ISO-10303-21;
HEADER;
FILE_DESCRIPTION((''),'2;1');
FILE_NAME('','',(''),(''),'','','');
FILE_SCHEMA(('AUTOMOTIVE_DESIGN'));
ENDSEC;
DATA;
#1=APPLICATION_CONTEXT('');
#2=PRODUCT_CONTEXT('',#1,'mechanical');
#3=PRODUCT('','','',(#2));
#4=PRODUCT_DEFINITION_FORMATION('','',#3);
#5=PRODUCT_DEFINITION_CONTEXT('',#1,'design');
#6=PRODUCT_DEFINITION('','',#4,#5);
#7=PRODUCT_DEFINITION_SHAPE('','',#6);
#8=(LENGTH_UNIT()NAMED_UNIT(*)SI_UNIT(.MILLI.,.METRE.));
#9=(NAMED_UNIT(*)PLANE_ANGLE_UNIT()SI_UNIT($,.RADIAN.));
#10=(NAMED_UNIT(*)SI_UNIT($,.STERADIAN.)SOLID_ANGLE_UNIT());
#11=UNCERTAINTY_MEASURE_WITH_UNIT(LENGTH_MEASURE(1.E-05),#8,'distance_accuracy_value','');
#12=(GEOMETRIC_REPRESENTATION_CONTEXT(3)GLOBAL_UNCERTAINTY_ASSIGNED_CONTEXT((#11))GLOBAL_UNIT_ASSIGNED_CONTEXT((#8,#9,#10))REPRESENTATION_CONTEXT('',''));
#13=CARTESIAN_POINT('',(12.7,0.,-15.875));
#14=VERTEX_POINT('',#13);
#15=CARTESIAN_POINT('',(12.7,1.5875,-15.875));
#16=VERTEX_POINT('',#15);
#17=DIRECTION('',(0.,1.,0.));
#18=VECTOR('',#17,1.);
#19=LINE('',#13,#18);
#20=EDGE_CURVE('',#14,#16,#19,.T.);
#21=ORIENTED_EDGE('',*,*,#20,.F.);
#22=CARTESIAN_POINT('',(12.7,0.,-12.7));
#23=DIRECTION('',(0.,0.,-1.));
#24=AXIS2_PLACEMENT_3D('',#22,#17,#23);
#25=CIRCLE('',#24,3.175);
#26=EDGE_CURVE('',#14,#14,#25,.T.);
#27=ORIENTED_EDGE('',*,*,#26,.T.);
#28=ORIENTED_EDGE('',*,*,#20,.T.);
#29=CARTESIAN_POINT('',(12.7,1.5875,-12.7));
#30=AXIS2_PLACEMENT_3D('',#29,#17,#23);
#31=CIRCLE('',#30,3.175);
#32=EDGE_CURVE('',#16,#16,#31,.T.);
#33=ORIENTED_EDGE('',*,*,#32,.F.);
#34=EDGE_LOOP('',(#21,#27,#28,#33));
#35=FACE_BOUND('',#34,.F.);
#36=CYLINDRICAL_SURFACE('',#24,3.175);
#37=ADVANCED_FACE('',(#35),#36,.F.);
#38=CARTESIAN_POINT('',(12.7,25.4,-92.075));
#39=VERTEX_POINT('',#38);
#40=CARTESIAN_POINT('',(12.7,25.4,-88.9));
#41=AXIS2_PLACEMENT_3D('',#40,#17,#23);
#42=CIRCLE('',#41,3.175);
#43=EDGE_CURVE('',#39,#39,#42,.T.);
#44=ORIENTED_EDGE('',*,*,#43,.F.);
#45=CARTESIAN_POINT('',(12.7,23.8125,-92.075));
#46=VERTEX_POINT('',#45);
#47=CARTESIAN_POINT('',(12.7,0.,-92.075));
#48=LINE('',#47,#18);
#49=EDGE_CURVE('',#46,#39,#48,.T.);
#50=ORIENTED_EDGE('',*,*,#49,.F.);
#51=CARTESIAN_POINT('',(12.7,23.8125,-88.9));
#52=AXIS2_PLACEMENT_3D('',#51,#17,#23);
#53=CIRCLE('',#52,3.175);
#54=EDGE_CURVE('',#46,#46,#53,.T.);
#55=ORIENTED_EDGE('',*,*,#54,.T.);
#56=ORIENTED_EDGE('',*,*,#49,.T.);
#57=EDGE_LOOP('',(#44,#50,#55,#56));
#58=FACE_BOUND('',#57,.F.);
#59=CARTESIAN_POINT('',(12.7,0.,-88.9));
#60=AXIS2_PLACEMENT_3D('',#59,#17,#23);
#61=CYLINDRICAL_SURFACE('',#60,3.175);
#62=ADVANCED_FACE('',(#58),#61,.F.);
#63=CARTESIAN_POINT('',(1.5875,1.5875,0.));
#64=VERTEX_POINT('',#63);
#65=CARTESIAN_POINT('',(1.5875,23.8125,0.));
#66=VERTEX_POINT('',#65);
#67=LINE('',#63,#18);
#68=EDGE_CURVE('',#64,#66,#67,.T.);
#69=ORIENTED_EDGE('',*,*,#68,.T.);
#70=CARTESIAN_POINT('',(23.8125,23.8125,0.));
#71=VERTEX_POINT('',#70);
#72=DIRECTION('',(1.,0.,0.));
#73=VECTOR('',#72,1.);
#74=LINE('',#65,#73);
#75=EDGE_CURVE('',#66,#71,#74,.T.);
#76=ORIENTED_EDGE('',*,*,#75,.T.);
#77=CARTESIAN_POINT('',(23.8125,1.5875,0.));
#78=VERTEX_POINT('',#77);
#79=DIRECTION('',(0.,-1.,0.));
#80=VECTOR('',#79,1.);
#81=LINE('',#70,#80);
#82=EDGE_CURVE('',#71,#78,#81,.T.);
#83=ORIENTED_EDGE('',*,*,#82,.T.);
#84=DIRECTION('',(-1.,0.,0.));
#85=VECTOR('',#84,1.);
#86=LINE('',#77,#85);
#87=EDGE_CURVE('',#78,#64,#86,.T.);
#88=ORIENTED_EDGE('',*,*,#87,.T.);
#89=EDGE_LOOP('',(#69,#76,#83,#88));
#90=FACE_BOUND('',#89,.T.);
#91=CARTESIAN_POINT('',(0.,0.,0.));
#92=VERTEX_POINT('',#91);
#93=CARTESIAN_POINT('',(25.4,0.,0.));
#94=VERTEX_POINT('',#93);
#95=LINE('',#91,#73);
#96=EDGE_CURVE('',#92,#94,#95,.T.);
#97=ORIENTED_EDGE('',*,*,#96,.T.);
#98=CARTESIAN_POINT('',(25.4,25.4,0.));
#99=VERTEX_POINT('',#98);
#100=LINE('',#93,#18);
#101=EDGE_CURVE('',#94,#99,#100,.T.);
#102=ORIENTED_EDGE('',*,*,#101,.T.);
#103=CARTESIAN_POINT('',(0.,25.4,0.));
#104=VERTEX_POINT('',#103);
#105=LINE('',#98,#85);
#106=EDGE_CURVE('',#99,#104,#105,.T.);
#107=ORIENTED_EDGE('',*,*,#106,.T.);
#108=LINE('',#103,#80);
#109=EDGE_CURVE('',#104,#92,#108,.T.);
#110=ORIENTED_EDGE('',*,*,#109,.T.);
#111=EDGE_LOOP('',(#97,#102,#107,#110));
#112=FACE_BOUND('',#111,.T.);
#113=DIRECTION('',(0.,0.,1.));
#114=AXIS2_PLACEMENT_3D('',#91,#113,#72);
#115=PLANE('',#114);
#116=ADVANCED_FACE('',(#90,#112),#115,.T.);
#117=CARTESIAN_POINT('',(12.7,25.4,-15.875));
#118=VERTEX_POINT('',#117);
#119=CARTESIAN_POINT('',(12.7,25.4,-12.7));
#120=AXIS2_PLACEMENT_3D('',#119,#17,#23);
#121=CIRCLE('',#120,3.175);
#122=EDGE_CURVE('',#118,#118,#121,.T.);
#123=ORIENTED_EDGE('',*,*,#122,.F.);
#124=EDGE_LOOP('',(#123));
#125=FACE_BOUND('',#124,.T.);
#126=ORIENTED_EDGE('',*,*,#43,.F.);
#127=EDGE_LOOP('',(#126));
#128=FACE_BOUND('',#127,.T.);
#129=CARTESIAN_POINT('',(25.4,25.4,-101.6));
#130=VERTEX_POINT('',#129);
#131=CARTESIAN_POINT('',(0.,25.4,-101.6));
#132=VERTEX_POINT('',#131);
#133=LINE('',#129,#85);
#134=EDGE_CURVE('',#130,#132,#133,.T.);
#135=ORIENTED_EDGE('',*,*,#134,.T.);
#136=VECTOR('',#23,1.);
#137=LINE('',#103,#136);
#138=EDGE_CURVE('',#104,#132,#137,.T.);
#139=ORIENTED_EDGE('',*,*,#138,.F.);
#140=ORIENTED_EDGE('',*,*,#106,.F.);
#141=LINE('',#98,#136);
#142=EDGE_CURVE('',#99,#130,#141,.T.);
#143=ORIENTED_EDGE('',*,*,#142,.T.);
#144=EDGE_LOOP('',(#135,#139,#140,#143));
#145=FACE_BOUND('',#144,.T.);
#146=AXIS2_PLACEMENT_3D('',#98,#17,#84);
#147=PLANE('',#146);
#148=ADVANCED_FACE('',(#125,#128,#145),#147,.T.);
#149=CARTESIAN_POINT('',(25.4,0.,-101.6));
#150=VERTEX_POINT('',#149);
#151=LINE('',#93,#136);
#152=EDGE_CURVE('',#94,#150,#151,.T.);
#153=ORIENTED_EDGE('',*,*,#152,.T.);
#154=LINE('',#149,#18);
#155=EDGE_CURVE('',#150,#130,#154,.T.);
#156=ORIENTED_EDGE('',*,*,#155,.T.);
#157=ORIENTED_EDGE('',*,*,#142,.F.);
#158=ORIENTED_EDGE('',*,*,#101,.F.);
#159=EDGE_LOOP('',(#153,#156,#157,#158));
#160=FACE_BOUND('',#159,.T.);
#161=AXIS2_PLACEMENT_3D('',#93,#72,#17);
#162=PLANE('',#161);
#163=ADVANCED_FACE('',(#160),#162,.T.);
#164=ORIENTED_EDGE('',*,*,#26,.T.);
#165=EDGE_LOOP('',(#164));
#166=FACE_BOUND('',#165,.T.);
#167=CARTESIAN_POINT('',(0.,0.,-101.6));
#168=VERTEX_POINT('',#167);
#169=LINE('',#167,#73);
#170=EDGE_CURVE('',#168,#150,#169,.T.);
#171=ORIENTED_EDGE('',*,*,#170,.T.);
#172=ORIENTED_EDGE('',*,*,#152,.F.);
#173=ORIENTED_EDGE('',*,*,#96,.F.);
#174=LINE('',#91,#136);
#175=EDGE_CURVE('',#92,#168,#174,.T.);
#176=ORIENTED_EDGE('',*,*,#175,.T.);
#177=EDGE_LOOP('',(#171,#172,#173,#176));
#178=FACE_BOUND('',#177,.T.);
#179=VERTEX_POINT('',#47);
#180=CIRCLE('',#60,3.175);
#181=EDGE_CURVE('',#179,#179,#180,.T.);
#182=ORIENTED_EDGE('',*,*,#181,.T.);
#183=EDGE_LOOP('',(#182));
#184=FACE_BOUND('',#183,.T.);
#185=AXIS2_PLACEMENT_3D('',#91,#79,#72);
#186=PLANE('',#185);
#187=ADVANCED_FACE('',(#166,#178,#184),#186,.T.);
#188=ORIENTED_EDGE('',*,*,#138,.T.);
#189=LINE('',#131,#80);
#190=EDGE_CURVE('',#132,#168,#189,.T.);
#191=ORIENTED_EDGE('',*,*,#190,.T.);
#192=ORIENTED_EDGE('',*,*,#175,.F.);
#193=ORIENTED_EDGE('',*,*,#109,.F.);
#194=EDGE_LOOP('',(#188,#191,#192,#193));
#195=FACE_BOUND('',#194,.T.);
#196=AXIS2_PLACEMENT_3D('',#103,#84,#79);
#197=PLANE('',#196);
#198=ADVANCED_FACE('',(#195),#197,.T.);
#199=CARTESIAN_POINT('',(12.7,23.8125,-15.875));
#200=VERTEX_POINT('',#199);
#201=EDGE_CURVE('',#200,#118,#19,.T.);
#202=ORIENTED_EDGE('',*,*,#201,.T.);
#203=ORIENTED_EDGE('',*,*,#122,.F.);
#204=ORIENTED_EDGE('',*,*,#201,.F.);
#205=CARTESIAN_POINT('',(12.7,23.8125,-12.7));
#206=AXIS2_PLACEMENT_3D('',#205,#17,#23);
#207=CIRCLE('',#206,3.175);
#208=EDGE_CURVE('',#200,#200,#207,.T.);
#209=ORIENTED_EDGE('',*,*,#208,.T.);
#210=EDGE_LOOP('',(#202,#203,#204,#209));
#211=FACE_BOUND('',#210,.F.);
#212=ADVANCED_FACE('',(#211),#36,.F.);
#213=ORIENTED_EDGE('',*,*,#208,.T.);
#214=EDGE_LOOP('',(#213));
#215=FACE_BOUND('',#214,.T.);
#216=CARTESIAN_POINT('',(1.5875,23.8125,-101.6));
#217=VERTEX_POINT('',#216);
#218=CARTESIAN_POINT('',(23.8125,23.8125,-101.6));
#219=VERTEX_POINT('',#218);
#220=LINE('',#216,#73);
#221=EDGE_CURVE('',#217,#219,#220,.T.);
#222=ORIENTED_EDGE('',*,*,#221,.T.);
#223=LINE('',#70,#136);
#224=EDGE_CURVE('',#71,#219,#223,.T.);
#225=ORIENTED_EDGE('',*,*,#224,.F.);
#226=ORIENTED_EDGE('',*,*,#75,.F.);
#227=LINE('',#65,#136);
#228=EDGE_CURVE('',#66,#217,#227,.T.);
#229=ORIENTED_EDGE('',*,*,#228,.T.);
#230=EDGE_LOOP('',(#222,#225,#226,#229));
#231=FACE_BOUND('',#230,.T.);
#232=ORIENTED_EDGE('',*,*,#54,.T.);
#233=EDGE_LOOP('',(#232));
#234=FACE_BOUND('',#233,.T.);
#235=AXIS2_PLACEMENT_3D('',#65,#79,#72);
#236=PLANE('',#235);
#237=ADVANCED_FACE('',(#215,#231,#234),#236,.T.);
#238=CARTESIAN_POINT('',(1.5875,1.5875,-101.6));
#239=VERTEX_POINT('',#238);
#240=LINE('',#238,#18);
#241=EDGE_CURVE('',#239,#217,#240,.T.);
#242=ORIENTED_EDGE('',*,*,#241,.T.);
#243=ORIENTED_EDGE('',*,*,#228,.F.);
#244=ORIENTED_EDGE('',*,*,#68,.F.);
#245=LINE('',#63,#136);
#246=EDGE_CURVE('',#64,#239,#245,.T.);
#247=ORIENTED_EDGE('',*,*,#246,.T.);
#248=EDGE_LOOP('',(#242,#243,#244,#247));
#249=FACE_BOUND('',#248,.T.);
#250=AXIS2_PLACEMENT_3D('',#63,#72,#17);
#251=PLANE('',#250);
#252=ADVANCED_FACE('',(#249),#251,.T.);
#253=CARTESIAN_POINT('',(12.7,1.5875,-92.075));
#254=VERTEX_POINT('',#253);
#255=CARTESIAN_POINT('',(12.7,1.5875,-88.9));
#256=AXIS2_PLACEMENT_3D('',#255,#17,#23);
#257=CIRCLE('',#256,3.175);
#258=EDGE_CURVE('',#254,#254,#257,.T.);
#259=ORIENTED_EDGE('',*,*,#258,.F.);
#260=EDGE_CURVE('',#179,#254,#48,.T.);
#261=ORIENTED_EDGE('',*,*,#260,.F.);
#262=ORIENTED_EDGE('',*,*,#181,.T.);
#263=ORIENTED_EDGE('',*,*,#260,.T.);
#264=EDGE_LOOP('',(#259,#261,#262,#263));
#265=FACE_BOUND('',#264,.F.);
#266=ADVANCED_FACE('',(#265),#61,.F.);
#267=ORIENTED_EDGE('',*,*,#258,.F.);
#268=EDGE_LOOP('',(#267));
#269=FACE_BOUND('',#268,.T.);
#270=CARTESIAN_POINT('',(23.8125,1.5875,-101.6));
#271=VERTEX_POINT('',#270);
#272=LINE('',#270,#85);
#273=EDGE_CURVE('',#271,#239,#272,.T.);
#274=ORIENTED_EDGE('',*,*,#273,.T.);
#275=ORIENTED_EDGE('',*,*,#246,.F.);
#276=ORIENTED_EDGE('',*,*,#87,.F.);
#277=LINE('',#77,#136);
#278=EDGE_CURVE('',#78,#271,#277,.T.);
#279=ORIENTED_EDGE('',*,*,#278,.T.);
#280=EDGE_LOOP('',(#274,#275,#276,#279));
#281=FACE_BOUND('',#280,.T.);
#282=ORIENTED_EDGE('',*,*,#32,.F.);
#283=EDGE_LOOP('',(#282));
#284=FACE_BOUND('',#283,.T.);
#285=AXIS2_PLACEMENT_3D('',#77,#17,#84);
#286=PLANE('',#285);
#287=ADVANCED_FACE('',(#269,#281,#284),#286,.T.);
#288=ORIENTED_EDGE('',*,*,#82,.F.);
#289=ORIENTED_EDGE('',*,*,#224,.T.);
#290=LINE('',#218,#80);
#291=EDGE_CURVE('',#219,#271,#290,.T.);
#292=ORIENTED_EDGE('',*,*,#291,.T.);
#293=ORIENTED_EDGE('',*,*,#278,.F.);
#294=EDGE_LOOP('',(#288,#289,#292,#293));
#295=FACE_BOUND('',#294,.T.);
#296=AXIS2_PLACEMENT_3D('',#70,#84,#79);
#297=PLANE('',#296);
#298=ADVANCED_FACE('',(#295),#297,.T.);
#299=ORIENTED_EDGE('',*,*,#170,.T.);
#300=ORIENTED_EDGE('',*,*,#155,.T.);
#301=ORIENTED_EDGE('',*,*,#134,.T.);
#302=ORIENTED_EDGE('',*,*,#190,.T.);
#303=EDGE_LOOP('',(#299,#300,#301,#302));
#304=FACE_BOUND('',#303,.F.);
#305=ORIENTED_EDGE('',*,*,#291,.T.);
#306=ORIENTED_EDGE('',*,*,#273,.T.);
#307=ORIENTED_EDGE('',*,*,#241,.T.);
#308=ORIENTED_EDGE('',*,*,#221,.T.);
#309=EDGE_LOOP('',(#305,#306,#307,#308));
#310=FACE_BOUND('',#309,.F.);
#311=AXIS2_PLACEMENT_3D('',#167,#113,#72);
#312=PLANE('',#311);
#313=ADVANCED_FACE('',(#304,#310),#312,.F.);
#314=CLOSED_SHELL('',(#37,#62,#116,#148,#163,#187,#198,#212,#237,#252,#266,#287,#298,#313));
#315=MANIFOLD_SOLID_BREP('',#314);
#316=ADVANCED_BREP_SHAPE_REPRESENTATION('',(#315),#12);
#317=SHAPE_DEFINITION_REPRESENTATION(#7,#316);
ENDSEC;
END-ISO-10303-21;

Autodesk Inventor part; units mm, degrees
ref_plane "YZ Plane" through (0, 0, 0) normal (1, 0, 0) x (0, 1, 0)
ref_plane "XZ Plane" through (0, 0, 0) normal (0, 1, 0) x (-1, 0, 0)
ref_plane "XY Plane" through (0, 0, 0) normal (0, 0, 1) x (1, 0, 0)
sketch "Sketch1" plane through (0, 0, 0) normal (0, 0, 1) x (1, 0, 0)
  line L0 (0, 0) -> (25.4, 0)
  line L1 (25.4, 0) -> (25.4, 25.4)
  line L2 (25.4, 25.4) -> (0, 25.4)
  line L3 (0, 25.4) -> (0, 0)
  line L4 (1.5875, 23.8125) -> (23.8125, 23.8125)
  line L5 (23.8125, 23.8125) -> (23.8125, 1.5875)
  line L6 (23.8125, 1.5875) -> (1.5875, 1.5875)
  line L7 (1.5875, 1.5875) -> (1.5875, 23.8125)
  dimension "d0" = 25.4
  dimension "d1" = 25.4
  dimension "d2" = 1.5875
extrude "Extrusion1" add sketch "Sketch1" against normal blind 101.6
sketch "Sketch3" plane through (0, 0, 0) normal (0, -1, 0) x (1, 0, 0)
  line L0 (0, -101.6) -> (25.4, -101.6) projected
  line L1 (0, 0) -> (25.4, 0) projected
  point P0 (12.7, -12.7)
  point P1 (12.7, -88.9)
  dimension "d7" = 12.7
  dimension "d8" = 12.7
hole "Hole2" at (12.7, 0, -12.7) at (12.7, 0, -88.9) direction (0, 1, 0) diameter 6.35 depth 25.4 tip angle 118
properties part number "tube_r_b_out"
